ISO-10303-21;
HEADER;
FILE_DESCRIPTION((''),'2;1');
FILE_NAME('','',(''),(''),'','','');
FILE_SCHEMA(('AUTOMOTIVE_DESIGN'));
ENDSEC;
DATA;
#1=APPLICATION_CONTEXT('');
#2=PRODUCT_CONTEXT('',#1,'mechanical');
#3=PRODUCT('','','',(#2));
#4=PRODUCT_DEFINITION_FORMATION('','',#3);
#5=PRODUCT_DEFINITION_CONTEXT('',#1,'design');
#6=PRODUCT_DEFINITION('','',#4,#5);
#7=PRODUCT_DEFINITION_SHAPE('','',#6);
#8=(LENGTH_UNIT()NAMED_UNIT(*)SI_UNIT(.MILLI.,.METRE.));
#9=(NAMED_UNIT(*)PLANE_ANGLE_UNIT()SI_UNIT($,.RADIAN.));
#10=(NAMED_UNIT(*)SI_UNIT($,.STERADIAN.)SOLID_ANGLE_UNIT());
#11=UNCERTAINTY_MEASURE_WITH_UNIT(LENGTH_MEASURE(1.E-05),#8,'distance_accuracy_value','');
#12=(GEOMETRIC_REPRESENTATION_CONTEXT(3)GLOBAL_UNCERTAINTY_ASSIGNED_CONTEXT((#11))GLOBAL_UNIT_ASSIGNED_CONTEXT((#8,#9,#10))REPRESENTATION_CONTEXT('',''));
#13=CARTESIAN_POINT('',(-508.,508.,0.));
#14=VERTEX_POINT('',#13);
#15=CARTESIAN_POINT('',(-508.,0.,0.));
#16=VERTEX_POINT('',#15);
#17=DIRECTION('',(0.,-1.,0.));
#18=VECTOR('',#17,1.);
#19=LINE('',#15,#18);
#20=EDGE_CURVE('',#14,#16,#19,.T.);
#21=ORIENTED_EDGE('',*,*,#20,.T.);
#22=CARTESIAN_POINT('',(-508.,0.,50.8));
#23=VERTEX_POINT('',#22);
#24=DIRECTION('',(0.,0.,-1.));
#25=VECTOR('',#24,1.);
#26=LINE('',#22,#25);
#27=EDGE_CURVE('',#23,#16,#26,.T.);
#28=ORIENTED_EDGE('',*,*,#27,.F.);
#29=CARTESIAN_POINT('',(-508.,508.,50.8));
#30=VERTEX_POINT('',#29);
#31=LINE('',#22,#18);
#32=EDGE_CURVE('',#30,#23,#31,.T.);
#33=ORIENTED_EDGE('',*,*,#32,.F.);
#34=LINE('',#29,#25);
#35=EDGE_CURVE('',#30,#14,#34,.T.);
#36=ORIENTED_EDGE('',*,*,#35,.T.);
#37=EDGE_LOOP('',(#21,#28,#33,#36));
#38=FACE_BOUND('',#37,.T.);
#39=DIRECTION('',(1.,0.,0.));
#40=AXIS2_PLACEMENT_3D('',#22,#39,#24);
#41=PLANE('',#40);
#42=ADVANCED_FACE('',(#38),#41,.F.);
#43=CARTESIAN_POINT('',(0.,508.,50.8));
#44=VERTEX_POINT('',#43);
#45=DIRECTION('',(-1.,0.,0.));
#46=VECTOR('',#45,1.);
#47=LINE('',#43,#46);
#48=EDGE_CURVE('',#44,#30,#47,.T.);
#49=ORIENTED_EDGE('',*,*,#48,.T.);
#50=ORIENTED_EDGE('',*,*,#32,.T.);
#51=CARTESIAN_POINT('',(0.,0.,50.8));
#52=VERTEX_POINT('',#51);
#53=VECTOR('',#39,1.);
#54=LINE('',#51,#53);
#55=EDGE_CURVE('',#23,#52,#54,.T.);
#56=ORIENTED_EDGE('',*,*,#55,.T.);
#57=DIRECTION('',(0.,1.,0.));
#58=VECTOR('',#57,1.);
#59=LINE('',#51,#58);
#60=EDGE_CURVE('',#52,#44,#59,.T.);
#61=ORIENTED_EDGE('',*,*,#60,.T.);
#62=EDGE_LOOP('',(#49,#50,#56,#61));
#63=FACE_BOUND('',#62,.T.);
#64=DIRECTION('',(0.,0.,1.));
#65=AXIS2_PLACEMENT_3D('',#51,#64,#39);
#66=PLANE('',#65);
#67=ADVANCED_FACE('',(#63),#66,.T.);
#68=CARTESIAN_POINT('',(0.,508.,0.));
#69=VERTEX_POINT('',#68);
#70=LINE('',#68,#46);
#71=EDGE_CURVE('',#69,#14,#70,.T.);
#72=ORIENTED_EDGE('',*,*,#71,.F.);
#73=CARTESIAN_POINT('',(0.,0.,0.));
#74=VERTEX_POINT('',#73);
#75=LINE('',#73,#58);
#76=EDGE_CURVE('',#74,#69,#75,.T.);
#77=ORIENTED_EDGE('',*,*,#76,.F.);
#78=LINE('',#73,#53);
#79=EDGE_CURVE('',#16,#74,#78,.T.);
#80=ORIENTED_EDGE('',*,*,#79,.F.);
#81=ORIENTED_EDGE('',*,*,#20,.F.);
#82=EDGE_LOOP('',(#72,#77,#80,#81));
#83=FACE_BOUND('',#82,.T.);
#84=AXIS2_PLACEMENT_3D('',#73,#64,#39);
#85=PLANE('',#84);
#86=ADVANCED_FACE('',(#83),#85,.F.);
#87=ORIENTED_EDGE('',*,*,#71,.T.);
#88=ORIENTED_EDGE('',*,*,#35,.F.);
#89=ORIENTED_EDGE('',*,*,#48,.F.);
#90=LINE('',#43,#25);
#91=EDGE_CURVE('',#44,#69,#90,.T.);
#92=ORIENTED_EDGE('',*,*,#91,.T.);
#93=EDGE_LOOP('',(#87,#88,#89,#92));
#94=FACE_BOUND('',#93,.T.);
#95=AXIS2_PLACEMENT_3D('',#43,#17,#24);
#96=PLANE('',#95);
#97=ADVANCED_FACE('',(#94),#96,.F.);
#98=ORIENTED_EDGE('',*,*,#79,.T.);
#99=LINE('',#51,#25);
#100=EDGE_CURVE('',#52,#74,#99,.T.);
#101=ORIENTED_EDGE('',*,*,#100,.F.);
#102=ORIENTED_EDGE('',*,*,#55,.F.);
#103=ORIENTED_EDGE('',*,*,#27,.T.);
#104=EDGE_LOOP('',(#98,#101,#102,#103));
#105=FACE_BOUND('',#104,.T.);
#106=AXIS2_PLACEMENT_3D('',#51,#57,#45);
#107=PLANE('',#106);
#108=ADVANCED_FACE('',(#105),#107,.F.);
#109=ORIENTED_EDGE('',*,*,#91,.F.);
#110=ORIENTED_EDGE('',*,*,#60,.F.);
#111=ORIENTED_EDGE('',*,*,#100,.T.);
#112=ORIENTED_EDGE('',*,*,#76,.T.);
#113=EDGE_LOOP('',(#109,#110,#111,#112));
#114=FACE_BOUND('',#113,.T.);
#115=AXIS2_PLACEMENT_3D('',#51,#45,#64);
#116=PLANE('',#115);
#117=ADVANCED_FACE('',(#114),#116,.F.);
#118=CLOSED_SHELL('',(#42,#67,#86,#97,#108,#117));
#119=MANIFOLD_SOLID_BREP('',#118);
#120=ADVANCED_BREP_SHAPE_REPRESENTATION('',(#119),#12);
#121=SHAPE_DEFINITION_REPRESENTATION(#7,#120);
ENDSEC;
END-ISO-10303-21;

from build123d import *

# Parameters (mm, degrees)
SKETCH1_W           = 508
SKETCH1_H           = 508
BOSS_EXTRUDE1_DEPTH = 50.8


with BuildPart() as part:
    # Sketch1 → Boss-Extrude1 (new body)
    with BuildSketch(Plane.XY):
        with Locations((-254, 254)):
            Rectangle(SKETCH1_W, SKETCH1_H)
    extrude(amount=BOSS_EXTRUDE1_DEPTH)


solid = part.part
